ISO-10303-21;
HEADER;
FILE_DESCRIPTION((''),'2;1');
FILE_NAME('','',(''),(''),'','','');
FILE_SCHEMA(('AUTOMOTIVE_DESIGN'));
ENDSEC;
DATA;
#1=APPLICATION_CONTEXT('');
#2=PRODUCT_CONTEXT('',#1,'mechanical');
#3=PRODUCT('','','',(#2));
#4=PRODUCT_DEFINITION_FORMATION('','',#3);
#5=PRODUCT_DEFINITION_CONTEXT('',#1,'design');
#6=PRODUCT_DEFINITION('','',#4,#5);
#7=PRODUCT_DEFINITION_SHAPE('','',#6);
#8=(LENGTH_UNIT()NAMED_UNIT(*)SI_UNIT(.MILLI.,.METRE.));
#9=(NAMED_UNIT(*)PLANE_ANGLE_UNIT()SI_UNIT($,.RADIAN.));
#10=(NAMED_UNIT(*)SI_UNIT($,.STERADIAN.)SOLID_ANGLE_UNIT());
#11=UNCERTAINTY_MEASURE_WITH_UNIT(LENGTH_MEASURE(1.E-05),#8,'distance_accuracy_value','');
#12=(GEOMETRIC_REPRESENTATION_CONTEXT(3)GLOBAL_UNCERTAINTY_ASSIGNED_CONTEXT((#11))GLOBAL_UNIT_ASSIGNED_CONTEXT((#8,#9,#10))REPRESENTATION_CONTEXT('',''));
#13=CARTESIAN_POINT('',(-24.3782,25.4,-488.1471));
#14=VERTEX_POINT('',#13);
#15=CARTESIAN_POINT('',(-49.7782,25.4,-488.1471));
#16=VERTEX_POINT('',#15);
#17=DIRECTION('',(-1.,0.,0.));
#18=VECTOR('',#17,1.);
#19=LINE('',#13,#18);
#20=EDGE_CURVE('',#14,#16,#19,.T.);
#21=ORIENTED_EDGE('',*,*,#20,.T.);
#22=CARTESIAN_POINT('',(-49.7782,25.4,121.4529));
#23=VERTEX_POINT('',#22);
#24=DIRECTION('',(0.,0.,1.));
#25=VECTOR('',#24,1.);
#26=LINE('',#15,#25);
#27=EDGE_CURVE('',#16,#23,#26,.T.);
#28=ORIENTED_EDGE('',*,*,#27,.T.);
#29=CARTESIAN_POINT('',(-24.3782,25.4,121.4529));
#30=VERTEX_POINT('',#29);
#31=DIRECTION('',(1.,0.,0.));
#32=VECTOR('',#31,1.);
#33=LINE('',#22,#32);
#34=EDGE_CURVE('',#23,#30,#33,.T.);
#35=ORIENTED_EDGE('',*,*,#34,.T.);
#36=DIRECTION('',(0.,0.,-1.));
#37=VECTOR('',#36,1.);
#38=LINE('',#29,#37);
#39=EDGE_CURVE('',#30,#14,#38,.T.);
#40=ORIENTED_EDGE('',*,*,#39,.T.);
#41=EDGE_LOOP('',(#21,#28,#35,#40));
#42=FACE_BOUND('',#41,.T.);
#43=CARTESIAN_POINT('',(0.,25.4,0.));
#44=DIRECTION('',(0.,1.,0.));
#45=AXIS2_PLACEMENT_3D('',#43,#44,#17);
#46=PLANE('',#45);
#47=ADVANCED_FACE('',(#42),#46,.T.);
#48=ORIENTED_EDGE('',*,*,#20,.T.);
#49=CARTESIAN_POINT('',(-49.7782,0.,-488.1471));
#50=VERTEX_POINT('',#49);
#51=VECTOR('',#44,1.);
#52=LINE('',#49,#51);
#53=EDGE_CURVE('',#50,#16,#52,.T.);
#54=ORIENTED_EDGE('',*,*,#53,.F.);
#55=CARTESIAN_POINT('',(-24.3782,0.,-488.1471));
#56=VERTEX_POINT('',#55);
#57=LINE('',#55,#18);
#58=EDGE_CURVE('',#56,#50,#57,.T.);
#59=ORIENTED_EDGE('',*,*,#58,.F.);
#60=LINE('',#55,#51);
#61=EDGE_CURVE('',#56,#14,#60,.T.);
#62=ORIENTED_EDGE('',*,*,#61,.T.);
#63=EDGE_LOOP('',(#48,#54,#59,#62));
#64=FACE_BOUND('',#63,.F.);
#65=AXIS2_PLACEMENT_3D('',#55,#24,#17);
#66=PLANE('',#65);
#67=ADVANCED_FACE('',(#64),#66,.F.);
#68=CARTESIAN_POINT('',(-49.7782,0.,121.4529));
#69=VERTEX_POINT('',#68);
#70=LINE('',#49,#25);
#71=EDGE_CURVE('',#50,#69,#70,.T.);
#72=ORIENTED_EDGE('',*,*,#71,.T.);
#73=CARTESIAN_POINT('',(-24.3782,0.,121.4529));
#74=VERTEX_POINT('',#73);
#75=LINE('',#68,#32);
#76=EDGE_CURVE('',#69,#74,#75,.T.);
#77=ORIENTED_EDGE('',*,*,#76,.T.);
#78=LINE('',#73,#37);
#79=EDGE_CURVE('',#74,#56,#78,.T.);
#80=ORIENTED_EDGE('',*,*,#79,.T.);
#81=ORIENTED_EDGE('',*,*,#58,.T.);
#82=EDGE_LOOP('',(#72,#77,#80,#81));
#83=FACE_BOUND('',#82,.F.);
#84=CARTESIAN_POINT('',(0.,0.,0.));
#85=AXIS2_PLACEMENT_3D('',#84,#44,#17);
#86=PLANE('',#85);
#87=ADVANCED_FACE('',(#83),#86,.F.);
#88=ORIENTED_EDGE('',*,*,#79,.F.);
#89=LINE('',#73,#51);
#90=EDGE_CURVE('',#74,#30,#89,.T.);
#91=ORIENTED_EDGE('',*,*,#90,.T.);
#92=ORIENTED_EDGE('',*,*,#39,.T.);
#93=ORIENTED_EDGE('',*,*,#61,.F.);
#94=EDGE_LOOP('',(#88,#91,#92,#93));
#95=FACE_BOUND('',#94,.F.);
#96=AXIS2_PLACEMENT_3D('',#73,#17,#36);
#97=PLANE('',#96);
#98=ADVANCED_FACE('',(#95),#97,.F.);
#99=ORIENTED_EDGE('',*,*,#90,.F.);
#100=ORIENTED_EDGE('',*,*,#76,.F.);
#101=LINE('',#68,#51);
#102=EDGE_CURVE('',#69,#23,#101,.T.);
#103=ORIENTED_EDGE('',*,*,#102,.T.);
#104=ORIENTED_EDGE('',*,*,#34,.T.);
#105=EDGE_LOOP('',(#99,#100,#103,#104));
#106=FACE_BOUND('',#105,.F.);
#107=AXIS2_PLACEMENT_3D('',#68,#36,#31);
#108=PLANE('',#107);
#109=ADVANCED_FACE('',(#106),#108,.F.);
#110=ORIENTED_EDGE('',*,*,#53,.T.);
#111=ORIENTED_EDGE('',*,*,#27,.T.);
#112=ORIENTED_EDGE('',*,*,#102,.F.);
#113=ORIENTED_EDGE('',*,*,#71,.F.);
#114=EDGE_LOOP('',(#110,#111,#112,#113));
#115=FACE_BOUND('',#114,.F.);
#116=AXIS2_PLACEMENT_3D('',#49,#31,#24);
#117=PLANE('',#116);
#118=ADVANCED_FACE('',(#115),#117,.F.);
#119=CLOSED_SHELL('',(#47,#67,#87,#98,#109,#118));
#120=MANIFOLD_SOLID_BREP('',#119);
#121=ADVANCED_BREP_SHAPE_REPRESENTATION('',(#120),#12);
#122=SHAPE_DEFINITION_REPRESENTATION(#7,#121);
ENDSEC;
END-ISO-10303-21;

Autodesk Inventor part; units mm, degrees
ref_plane "YZ Plane" through (0, 0, 0) normal (1, 0, 0) x (0, 1, 0)
ref_plane "XZ Plane" through (0, 0, 0) normal (0, 1, 0) x (-1, 0, 0)
ref_plane "XY Plane" through (0, 0, 0) normal (0, 0, 1) x (1, 0, 0)
sketch "Sketch1" plane through (0, 0, 0) normal (0, 1, 0) x (-1, 0, 0)
  line L0 (49.7782, 121.4529) -> (24.3782, 121.4529)
  line L1 (24.3782, 121.4529) -> (24.3782, -488.1471)
  line L2 (24.3782, -488.1471) -> (49.7782, -488.1471)
  line L3 (49.7782, -488.1471) -> (49.7782, 121.4529)
  point P0 (0, 0)
  dimension "d0" = 25.4
  dimension "d1" = 609.6
extrude "Extrusion1" add sketch "Sketch1" along normal blind 25.4
properties part number "clawBase"
